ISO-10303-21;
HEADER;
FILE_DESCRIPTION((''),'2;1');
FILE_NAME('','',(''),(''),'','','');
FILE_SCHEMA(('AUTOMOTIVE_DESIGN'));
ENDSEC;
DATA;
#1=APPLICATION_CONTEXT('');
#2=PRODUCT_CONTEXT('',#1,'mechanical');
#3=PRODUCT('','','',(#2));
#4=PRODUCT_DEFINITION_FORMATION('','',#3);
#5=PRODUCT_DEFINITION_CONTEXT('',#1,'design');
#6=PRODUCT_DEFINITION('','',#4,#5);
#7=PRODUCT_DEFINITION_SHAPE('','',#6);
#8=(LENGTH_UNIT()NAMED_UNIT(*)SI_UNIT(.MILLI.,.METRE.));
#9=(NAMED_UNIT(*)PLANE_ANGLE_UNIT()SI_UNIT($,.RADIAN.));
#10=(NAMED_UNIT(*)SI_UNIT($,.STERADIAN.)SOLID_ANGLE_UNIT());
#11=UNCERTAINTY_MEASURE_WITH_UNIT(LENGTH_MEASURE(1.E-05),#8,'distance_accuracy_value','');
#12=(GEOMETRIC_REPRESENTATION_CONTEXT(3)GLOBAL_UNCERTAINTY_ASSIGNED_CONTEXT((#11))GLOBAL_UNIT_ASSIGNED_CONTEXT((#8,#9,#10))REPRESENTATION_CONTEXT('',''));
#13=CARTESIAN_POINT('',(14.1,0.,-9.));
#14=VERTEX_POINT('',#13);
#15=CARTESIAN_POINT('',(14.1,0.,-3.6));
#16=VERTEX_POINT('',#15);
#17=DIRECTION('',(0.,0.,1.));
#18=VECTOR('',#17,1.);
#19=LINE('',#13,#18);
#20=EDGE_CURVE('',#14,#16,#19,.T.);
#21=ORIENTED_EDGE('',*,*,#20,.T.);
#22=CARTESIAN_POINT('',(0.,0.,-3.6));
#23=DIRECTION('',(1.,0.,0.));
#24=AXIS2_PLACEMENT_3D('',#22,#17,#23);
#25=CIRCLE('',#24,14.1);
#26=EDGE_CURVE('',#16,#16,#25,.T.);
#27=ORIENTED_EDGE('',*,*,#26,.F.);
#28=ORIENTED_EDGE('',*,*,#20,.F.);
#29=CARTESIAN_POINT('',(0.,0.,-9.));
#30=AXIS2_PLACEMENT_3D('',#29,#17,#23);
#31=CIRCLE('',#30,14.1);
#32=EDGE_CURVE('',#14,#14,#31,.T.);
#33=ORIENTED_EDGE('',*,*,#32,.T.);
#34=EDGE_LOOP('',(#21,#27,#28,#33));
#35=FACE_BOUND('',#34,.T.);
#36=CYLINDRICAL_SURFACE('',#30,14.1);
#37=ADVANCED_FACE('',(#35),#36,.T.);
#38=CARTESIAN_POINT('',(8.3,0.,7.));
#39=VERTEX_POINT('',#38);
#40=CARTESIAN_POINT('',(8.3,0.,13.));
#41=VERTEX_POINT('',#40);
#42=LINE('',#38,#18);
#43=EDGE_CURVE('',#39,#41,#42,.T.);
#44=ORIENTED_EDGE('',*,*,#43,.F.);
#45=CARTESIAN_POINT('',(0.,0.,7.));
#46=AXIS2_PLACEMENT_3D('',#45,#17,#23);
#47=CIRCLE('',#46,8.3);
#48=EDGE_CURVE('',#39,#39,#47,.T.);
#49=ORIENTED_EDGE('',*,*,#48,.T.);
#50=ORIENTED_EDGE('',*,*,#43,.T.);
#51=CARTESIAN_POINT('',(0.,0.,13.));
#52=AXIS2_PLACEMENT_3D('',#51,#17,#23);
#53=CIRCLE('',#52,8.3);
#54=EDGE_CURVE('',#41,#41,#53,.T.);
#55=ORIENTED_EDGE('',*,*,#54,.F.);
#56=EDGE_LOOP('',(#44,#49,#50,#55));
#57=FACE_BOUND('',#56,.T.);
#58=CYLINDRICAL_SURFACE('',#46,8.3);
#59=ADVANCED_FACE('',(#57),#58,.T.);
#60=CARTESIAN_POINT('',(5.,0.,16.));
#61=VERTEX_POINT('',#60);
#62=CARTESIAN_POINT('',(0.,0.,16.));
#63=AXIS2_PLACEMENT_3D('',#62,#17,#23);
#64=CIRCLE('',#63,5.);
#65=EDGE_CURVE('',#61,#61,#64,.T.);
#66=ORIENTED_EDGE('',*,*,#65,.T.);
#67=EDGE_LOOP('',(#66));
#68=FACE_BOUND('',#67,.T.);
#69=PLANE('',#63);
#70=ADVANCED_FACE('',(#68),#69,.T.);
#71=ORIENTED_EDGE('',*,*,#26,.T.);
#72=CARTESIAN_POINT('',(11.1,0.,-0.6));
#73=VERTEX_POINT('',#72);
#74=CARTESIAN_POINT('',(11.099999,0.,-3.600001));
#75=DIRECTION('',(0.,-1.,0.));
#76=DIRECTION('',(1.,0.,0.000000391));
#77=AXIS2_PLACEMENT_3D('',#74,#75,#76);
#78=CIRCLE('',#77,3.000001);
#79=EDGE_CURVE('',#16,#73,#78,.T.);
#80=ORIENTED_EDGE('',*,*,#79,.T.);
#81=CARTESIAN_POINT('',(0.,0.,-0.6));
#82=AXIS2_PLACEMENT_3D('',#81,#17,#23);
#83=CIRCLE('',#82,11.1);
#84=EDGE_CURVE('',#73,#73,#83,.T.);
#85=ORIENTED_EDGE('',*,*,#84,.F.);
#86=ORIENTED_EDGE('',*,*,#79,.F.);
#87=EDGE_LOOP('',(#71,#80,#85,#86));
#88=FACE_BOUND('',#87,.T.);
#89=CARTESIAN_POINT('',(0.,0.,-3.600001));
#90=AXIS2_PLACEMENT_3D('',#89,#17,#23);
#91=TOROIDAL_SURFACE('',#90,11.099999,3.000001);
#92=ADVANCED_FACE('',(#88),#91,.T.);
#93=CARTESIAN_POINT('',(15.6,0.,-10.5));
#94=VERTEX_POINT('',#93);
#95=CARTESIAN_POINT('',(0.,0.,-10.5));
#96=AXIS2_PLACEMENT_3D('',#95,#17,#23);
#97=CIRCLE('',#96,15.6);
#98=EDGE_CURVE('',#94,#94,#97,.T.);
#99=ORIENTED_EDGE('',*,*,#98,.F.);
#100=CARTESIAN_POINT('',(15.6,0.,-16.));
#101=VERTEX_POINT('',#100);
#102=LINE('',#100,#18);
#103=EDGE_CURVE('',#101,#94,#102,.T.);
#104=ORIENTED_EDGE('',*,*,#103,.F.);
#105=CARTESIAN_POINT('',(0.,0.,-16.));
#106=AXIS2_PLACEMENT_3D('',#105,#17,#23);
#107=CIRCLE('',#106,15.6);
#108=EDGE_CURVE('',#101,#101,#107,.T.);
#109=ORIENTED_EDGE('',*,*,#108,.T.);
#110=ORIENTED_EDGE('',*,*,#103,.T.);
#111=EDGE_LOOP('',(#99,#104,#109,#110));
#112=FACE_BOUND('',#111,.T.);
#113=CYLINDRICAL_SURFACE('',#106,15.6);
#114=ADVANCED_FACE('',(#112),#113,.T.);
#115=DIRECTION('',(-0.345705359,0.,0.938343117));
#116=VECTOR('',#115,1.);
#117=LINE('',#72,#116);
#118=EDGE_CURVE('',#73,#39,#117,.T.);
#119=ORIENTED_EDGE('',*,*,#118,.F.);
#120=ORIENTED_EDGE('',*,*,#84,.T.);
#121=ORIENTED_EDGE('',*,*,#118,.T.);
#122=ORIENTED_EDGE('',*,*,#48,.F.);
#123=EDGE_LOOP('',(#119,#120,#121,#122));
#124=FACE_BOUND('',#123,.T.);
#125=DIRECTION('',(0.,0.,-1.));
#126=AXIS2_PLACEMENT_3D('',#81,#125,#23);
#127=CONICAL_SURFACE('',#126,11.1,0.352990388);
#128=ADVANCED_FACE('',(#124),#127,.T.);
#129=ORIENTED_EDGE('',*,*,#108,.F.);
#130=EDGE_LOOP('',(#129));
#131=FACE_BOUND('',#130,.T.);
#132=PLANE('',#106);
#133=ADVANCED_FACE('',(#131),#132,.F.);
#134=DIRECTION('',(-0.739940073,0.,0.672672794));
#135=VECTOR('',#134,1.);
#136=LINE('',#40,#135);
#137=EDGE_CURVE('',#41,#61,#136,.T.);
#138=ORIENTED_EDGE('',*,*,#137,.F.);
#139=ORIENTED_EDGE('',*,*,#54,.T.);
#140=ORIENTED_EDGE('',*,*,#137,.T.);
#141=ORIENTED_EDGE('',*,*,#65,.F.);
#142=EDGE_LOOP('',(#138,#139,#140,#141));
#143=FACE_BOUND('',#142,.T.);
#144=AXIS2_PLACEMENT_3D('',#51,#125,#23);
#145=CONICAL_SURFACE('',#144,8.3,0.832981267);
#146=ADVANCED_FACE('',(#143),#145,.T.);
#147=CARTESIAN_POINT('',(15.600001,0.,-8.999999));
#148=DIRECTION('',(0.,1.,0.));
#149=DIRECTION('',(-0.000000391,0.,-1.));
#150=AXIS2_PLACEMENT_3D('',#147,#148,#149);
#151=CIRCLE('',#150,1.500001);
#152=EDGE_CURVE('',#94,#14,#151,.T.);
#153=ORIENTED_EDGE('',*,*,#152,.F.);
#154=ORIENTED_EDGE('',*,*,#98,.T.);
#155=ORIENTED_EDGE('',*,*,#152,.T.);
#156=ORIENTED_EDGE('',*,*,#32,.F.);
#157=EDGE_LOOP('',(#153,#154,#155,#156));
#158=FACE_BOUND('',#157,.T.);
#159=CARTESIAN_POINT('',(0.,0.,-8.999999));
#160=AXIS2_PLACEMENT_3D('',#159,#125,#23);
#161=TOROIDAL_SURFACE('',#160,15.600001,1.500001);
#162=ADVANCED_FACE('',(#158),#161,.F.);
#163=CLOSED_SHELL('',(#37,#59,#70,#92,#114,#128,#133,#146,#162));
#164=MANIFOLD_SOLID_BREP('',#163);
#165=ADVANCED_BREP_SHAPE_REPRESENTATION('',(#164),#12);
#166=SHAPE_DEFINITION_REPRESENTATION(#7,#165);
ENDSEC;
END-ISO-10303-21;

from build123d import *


with BuildPart() as f1:
    # F0 (on Front) → F1 (revolve)
    with BuildSketch(Plane.XZ):
        with BuildLine():
            Line((0, 16), (0, -16))
            Line((0, -16), (15.6, -16))
            Line((15.6, -16), (15.6, -10.5))
            ThreePointArc((15.6, -10.5), (14.53934, -10.06066), (14.1, -9))
            Line((14.1, -9), (14.1, -3.6))
            ThreePointArc((14.1, -3.6), (13.22132, -1.47868), (11.1, -0.6))
            Line((11.1, -0.6), (8.3, 7))
            Line((8.3, 7), (8.3, 13))
            Line((8.3, 13), (5, 16))
            Line((5, 16), (0, 16))
        make_face()
    revolve(axis=Axis((0, 0, 0), (0, 0, 1)))


solid = f1.part
